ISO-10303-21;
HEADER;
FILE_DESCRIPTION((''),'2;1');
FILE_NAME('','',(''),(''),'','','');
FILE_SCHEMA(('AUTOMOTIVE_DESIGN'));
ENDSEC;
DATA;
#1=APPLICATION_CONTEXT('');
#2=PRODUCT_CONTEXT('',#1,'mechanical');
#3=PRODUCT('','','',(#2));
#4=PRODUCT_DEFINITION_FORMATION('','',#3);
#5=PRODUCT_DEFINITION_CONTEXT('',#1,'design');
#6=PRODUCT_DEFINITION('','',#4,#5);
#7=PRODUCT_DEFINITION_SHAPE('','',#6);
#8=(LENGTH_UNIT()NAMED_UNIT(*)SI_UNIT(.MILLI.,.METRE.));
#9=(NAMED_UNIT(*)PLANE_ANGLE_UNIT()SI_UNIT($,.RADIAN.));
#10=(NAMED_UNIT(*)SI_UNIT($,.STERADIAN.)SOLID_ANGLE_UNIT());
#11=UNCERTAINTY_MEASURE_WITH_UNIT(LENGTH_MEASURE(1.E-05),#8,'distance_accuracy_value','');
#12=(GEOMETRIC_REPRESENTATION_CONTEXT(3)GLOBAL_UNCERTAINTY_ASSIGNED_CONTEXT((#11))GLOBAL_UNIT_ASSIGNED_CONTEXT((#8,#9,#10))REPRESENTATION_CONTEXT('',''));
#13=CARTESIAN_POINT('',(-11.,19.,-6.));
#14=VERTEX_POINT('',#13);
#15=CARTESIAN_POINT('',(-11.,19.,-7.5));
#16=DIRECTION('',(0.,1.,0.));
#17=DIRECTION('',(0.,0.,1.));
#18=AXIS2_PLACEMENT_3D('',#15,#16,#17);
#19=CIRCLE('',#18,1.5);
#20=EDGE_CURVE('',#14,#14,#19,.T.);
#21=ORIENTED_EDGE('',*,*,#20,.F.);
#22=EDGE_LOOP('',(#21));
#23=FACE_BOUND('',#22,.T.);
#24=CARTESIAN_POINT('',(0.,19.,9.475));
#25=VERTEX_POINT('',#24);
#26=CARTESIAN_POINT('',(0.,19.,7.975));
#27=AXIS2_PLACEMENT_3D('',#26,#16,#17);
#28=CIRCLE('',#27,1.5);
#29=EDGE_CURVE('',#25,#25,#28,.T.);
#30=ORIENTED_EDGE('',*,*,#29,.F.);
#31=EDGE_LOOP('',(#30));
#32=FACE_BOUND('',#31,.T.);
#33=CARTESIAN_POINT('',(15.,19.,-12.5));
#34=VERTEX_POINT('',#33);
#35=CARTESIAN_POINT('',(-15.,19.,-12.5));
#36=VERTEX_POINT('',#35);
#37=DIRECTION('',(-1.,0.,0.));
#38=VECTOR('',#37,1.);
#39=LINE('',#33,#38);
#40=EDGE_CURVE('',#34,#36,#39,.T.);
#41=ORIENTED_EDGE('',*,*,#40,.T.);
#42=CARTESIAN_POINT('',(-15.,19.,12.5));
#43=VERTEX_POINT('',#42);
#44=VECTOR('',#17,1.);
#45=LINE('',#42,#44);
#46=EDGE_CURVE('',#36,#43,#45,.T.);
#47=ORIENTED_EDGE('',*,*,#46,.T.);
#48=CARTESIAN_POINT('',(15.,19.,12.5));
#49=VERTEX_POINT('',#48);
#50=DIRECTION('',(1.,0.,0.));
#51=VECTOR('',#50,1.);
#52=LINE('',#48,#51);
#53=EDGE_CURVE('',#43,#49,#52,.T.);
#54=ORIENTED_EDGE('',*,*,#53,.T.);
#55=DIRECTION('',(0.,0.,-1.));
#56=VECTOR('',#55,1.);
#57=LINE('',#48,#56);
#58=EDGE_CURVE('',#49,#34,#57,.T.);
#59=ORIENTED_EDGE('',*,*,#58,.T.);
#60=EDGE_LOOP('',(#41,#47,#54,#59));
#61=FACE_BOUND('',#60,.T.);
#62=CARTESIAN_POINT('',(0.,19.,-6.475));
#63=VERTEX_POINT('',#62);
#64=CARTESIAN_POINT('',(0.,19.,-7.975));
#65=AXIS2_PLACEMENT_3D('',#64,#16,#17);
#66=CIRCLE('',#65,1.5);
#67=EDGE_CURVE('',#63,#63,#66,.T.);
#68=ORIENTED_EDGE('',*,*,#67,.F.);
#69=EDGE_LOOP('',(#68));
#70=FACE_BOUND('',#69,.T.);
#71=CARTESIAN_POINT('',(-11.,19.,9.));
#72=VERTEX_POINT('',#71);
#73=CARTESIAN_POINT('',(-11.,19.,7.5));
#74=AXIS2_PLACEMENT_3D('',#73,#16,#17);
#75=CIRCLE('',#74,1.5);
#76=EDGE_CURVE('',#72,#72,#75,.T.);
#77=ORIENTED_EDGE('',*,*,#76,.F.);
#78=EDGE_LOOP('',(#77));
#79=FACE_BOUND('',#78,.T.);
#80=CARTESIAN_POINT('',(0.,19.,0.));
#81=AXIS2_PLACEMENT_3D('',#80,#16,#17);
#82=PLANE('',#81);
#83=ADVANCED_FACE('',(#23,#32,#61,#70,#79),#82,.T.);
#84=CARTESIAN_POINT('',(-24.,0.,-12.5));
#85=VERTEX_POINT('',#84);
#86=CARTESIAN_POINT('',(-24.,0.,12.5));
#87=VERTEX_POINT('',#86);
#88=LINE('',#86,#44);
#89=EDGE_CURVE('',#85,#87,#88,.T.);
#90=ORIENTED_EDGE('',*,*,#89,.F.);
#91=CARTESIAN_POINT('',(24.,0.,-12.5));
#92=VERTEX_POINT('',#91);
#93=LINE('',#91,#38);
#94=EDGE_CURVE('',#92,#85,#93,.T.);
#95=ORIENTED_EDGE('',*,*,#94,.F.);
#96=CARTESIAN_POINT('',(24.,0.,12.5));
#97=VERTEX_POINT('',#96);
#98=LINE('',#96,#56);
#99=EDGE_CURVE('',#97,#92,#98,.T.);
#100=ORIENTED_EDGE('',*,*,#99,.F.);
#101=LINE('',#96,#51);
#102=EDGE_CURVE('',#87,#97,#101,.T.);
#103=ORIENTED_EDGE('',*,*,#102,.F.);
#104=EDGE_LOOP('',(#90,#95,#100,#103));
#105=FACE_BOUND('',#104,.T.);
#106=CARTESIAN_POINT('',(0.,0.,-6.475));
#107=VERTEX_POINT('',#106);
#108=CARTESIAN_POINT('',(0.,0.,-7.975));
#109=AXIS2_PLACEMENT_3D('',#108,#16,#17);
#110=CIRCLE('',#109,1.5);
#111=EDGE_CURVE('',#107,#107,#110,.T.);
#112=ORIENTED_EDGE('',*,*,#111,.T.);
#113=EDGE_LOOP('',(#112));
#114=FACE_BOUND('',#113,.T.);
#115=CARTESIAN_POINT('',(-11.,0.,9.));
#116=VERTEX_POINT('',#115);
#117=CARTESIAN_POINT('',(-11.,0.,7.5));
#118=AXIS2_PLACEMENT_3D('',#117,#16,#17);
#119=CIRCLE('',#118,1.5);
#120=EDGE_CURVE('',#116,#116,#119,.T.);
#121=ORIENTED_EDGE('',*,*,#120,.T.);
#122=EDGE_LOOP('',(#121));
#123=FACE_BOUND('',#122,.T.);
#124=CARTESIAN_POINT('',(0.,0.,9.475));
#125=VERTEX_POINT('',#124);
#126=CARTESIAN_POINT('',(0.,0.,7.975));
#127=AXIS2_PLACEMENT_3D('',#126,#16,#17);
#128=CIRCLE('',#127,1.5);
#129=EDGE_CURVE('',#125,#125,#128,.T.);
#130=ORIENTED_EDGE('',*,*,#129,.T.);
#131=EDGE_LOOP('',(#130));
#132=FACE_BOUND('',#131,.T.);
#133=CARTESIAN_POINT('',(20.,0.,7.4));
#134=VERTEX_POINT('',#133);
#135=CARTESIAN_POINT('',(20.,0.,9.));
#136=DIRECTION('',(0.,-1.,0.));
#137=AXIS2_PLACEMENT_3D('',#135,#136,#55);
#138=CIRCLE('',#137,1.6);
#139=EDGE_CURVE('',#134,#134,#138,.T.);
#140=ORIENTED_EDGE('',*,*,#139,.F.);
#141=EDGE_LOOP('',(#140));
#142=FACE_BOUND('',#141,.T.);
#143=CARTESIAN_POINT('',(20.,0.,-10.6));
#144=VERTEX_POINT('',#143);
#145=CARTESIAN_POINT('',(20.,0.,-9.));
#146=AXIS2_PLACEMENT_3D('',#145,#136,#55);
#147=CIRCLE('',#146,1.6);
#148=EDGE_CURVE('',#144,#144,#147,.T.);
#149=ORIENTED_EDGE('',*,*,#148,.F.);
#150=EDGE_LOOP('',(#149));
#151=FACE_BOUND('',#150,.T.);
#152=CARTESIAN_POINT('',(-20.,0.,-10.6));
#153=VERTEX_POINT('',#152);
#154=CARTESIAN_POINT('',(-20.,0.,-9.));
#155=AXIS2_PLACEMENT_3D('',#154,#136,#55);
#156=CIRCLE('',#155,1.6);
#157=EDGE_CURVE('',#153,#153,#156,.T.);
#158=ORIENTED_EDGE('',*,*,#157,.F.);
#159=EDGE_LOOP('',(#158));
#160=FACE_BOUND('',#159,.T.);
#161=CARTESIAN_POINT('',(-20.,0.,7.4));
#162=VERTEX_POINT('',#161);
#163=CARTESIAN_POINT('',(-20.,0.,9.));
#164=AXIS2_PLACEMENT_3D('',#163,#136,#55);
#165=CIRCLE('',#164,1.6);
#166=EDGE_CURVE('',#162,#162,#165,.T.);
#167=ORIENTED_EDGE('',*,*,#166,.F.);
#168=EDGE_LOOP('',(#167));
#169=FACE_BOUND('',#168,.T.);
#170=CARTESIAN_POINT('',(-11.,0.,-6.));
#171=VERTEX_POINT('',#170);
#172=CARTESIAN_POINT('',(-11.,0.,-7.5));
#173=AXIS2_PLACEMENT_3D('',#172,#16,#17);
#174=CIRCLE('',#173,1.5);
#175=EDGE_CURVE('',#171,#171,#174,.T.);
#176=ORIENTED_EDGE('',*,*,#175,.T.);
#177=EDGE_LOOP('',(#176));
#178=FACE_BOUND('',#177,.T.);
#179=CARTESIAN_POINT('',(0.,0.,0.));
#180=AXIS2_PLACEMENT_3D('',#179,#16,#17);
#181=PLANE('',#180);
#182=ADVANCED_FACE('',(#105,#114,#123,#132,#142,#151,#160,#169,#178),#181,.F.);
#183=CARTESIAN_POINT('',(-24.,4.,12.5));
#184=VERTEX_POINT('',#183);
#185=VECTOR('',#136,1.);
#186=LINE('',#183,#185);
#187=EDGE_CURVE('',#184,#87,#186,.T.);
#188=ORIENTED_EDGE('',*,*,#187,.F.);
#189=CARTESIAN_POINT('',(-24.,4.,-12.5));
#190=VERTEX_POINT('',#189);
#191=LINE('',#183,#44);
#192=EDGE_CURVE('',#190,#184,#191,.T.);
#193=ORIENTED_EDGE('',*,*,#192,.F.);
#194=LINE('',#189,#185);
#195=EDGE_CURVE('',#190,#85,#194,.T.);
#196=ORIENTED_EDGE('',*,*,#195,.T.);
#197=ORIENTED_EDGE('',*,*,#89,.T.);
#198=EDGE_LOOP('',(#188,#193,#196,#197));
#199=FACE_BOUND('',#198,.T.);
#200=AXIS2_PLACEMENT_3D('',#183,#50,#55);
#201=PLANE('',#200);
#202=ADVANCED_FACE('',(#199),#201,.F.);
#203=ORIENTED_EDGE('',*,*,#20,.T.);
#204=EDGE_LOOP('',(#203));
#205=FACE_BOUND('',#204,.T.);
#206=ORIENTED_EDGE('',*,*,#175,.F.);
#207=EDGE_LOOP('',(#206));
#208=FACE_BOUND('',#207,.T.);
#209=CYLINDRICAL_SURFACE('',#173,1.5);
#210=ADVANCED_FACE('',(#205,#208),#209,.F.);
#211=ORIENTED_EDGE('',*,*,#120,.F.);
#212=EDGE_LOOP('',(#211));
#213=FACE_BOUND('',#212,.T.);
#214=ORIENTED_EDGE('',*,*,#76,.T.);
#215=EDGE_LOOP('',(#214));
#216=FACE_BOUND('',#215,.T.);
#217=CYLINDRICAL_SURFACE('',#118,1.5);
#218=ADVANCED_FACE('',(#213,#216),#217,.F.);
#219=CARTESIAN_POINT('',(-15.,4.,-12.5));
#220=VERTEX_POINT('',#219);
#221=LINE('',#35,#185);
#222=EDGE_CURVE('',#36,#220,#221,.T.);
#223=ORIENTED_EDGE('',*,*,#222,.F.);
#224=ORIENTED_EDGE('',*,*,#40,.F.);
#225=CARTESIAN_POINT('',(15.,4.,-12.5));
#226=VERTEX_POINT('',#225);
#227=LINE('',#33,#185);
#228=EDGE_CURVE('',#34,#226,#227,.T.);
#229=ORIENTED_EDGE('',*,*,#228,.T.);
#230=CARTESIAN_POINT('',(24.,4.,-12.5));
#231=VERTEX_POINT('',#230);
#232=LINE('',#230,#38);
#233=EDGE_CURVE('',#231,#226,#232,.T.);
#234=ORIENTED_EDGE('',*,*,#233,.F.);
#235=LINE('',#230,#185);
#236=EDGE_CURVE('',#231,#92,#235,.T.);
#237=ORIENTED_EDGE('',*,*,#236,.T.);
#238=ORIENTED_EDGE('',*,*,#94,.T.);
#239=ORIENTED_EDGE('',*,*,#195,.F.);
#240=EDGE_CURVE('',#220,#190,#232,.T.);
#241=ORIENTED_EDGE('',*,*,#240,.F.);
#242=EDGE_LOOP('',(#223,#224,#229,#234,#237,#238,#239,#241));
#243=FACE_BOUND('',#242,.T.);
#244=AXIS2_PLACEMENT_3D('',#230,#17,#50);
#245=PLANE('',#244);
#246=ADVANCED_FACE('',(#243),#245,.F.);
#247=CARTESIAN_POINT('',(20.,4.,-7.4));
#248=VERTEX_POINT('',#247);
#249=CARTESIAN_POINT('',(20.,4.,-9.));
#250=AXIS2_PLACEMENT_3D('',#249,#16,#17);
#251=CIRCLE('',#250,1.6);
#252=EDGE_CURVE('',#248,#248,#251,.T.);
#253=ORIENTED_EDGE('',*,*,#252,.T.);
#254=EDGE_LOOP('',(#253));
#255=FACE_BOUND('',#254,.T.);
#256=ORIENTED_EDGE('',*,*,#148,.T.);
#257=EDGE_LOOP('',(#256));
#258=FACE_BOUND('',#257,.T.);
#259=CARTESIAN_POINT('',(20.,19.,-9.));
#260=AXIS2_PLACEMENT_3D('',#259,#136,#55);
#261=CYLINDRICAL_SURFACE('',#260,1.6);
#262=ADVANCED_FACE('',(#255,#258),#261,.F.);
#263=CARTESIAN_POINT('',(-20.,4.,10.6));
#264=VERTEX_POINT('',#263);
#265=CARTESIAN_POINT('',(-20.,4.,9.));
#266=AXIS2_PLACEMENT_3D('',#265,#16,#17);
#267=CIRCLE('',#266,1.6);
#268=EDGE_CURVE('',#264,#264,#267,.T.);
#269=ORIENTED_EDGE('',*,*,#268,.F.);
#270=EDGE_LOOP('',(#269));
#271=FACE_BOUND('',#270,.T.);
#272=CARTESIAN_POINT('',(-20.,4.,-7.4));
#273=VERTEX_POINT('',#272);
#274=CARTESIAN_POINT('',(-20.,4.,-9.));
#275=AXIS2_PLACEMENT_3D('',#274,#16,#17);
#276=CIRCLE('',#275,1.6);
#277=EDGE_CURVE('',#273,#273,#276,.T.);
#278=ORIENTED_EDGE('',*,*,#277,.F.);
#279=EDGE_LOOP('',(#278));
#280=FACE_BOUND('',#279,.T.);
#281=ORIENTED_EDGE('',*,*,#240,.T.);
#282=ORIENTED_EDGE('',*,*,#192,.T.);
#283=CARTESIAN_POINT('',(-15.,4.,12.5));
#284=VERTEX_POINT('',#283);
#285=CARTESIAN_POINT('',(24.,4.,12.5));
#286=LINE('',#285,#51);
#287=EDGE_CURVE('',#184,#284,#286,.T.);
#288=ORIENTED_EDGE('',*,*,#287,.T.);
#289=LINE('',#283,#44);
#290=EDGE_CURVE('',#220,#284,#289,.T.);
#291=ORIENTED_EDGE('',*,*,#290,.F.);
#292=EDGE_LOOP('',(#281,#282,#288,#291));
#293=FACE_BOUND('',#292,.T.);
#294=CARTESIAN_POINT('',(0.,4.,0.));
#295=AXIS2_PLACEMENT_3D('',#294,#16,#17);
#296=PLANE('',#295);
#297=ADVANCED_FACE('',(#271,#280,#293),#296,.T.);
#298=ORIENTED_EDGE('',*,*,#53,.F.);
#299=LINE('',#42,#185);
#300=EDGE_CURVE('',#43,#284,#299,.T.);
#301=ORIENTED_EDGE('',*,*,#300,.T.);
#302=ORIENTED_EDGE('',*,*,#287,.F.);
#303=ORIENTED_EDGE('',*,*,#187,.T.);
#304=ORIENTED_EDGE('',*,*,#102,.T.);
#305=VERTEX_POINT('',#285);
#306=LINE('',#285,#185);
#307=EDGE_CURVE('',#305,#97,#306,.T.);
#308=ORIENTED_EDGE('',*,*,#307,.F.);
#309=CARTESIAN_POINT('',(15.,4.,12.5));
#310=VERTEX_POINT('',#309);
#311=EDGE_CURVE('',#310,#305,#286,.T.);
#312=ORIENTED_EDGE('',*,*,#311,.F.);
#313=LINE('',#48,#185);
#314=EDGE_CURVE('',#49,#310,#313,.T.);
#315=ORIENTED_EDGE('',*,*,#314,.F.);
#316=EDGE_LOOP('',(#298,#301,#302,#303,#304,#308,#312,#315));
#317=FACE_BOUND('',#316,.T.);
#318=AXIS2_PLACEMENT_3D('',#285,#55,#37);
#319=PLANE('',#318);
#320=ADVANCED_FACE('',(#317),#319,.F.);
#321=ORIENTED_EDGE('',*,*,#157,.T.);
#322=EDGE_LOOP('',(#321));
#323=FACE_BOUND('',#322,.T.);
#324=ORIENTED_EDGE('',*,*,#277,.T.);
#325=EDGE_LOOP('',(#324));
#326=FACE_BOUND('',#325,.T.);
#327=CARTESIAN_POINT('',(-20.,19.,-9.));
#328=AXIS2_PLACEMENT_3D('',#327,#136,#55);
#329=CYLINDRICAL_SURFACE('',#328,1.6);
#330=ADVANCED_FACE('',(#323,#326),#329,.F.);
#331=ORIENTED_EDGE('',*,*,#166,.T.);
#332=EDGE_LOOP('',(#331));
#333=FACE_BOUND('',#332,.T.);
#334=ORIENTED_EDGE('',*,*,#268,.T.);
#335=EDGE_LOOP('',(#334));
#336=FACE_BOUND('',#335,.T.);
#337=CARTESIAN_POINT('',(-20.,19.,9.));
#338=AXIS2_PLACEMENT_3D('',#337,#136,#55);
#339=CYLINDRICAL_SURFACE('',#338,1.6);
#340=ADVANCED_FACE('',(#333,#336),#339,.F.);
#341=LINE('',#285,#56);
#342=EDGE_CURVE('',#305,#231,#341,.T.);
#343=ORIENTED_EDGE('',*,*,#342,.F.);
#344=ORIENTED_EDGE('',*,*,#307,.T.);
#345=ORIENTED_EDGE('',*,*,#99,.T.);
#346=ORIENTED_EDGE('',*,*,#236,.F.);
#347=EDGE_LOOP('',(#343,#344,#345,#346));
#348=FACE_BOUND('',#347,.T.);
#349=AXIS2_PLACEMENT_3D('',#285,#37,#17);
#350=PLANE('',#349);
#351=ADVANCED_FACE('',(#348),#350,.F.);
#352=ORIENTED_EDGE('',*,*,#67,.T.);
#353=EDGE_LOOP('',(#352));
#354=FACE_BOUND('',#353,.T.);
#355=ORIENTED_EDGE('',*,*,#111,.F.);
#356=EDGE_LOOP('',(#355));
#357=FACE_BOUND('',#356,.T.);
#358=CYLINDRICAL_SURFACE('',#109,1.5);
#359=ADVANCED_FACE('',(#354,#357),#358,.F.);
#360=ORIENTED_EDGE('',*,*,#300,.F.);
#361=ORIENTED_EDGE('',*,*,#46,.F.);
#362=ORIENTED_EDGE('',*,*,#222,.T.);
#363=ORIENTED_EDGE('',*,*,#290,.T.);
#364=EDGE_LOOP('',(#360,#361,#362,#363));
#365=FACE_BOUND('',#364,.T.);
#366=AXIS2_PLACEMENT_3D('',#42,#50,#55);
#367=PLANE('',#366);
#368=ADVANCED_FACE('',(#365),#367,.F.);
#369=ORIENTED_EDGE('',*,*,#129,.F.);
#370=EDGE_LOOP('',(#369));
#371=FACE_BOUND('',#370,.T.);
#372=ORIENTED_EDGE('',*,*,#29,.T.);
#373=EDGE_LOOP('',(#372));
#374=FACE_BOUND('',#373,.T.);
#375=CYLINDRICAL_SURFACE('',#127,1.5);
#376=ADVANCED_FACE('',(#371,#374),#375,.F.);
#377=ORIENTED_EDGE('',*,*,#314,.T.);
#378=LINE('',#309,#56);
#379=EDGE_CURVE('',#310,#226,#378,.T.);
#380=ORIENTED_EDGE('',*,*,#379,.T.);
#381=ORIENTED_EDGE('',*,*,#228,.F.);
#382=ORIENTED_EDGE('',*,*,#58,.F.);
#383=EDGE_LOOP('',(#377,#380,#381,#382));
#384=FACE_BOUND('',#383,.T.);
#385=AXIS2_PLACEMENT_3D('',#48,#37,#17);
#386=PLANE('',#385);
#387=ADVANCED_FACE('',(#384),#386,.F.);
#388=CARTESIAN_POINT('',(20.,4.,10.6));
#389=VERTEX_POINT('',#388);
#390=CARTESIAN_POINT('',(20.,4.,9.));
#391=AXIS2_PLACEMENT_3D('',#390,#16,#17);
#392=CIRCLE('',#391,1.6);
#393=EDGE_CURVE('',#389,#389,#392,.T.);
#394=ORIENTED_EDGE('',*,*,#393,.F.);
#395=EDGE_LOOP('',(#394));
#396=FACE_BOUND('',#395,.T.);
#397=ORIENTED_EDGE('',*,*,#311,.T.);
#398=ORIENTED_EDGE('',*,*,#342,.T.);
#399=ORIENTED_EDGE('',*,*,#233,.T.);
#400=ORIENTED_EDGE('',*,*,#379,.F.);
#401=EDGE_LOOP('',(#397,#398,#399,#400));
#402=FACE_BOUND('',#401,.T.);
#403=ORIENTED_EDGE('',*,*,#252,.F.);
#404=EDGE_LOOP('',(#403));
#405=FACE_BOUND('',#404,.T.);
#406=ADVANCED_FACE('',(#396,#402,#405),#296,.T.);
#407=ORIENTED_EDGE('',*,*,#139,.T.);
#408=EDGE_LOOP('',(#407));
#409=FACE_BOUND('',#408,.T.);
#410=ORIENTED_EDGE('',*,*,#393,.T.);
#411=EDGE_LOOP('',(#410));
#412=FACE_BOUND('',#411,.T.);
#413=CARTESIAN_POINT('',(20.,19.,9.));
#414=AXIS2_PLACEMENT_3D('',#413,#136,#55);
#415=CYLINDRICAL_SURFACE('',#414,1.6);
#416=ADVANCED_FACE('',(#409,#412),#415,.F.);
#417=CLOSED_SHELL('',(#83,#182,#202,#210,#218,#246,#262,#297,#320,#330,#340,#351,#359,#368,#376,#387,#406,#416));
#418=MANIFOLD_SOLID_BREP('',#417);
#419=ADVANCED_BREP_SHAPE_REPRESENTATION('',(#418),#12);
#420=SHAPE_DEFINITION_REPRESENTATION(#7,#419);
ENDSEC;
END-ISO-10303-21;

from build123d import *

# Parameters (mm, degrees)
SKETCH1_W           = 48
SKETCH1_H           = 25
BOSS_EXTRUDE1_DEPTH = 4
SKETCH2_W           = 30
SKETCH2_H           = 25
BOSS_EXTRUDE2_DEPTH = 15
SKETCH3_R           = 1.5
CUT_EXTRUDE1_DEPTH  = 20
SKETCH4_R           = 1.6
CUT_EXTRUDE2_DEPTH  = 20


with BuildPart() as part:
    # Sketch1 → Boss-Extrude1 (new body)
    with BuildSketch(Plane(origin=(0, 0, 0), x_dir=(1, 0, 0), z_dir=(0, 1, 0))):
        Rectangle(SKETCH1_W, SKETCH1_H)
    extrude(amount=BOSS_EXTRUDE1_DEPTH)

    # Sketch2 → Boss-Extrude2 (add)
    with BuildSketch(Plane(origin=(0, 4, 0), x_dir=(1, 0, 0), z_dir=(0, 1, 0))):
        Rectangle(SKETCH2_W, SKETCH2_H)
    extrude(amount=BOSS_EXTRUDE2_DEPTH)

    # Sketch3 → Cut-Extrude1 (cut, through all)
    with BuildSketch(Plane(origin=(0, 19, 0), x_dir=(1, 0, 0), z_dir=(0, 1, 0))):
        with Locations(Location((0, 7.975, 0), (0, 0, 270))):  # turned: the seam where the file's is
            Circle(SKETCH3_R)
        with Locations(Location((0, -7.975, 0), (0, 0, 270))):  # turned: the seam where the file's is
            Circle(SKETCH3_R)
        with Locations(Location((-11, 7.5, 0), (0, 0, 270))):  # turned: the seam where the file's is
            Circle(SKETCH3_R)
        with Locations(Location((-11, -7.5, 0), (0, 0, 270))):  # turned: the seam where the file's is
            Circle(SKETCH3_R)
    extrude(amount=-CUT_EXTRUDE1_DEPTH, mode=Mode.SUBTRACT)

    # Sketch4 → Cut-Extrude2 (cut, through all)
    with BuildSketch(Plane.XZ):
        with Locations(Location((-20, 9, 0), (0, 0, 270))):  # turned: the seam where the file's is
            Circle(SKETCH4_R)
        with Locations(Location((20, 9, 0), (0, 0, 270))):  # turned: the seam where the file's is
            Circle(SKETCH4_R)
        with Locations(Location((20, -9, 0), (0, 0, 270))):  # turned: the seam where the file's is
            Circle(SKETCH4_R)
        with Locations(Location((-20, -9, 0), (0, 0, 270))):  # turned: the seam where the file's is
            Circle(SKETCH4_R)
    extrude(amount=-CUT_EXTRUDE2_DEPTH, mode=Mode.SUBTRACT)


solid = part.part
